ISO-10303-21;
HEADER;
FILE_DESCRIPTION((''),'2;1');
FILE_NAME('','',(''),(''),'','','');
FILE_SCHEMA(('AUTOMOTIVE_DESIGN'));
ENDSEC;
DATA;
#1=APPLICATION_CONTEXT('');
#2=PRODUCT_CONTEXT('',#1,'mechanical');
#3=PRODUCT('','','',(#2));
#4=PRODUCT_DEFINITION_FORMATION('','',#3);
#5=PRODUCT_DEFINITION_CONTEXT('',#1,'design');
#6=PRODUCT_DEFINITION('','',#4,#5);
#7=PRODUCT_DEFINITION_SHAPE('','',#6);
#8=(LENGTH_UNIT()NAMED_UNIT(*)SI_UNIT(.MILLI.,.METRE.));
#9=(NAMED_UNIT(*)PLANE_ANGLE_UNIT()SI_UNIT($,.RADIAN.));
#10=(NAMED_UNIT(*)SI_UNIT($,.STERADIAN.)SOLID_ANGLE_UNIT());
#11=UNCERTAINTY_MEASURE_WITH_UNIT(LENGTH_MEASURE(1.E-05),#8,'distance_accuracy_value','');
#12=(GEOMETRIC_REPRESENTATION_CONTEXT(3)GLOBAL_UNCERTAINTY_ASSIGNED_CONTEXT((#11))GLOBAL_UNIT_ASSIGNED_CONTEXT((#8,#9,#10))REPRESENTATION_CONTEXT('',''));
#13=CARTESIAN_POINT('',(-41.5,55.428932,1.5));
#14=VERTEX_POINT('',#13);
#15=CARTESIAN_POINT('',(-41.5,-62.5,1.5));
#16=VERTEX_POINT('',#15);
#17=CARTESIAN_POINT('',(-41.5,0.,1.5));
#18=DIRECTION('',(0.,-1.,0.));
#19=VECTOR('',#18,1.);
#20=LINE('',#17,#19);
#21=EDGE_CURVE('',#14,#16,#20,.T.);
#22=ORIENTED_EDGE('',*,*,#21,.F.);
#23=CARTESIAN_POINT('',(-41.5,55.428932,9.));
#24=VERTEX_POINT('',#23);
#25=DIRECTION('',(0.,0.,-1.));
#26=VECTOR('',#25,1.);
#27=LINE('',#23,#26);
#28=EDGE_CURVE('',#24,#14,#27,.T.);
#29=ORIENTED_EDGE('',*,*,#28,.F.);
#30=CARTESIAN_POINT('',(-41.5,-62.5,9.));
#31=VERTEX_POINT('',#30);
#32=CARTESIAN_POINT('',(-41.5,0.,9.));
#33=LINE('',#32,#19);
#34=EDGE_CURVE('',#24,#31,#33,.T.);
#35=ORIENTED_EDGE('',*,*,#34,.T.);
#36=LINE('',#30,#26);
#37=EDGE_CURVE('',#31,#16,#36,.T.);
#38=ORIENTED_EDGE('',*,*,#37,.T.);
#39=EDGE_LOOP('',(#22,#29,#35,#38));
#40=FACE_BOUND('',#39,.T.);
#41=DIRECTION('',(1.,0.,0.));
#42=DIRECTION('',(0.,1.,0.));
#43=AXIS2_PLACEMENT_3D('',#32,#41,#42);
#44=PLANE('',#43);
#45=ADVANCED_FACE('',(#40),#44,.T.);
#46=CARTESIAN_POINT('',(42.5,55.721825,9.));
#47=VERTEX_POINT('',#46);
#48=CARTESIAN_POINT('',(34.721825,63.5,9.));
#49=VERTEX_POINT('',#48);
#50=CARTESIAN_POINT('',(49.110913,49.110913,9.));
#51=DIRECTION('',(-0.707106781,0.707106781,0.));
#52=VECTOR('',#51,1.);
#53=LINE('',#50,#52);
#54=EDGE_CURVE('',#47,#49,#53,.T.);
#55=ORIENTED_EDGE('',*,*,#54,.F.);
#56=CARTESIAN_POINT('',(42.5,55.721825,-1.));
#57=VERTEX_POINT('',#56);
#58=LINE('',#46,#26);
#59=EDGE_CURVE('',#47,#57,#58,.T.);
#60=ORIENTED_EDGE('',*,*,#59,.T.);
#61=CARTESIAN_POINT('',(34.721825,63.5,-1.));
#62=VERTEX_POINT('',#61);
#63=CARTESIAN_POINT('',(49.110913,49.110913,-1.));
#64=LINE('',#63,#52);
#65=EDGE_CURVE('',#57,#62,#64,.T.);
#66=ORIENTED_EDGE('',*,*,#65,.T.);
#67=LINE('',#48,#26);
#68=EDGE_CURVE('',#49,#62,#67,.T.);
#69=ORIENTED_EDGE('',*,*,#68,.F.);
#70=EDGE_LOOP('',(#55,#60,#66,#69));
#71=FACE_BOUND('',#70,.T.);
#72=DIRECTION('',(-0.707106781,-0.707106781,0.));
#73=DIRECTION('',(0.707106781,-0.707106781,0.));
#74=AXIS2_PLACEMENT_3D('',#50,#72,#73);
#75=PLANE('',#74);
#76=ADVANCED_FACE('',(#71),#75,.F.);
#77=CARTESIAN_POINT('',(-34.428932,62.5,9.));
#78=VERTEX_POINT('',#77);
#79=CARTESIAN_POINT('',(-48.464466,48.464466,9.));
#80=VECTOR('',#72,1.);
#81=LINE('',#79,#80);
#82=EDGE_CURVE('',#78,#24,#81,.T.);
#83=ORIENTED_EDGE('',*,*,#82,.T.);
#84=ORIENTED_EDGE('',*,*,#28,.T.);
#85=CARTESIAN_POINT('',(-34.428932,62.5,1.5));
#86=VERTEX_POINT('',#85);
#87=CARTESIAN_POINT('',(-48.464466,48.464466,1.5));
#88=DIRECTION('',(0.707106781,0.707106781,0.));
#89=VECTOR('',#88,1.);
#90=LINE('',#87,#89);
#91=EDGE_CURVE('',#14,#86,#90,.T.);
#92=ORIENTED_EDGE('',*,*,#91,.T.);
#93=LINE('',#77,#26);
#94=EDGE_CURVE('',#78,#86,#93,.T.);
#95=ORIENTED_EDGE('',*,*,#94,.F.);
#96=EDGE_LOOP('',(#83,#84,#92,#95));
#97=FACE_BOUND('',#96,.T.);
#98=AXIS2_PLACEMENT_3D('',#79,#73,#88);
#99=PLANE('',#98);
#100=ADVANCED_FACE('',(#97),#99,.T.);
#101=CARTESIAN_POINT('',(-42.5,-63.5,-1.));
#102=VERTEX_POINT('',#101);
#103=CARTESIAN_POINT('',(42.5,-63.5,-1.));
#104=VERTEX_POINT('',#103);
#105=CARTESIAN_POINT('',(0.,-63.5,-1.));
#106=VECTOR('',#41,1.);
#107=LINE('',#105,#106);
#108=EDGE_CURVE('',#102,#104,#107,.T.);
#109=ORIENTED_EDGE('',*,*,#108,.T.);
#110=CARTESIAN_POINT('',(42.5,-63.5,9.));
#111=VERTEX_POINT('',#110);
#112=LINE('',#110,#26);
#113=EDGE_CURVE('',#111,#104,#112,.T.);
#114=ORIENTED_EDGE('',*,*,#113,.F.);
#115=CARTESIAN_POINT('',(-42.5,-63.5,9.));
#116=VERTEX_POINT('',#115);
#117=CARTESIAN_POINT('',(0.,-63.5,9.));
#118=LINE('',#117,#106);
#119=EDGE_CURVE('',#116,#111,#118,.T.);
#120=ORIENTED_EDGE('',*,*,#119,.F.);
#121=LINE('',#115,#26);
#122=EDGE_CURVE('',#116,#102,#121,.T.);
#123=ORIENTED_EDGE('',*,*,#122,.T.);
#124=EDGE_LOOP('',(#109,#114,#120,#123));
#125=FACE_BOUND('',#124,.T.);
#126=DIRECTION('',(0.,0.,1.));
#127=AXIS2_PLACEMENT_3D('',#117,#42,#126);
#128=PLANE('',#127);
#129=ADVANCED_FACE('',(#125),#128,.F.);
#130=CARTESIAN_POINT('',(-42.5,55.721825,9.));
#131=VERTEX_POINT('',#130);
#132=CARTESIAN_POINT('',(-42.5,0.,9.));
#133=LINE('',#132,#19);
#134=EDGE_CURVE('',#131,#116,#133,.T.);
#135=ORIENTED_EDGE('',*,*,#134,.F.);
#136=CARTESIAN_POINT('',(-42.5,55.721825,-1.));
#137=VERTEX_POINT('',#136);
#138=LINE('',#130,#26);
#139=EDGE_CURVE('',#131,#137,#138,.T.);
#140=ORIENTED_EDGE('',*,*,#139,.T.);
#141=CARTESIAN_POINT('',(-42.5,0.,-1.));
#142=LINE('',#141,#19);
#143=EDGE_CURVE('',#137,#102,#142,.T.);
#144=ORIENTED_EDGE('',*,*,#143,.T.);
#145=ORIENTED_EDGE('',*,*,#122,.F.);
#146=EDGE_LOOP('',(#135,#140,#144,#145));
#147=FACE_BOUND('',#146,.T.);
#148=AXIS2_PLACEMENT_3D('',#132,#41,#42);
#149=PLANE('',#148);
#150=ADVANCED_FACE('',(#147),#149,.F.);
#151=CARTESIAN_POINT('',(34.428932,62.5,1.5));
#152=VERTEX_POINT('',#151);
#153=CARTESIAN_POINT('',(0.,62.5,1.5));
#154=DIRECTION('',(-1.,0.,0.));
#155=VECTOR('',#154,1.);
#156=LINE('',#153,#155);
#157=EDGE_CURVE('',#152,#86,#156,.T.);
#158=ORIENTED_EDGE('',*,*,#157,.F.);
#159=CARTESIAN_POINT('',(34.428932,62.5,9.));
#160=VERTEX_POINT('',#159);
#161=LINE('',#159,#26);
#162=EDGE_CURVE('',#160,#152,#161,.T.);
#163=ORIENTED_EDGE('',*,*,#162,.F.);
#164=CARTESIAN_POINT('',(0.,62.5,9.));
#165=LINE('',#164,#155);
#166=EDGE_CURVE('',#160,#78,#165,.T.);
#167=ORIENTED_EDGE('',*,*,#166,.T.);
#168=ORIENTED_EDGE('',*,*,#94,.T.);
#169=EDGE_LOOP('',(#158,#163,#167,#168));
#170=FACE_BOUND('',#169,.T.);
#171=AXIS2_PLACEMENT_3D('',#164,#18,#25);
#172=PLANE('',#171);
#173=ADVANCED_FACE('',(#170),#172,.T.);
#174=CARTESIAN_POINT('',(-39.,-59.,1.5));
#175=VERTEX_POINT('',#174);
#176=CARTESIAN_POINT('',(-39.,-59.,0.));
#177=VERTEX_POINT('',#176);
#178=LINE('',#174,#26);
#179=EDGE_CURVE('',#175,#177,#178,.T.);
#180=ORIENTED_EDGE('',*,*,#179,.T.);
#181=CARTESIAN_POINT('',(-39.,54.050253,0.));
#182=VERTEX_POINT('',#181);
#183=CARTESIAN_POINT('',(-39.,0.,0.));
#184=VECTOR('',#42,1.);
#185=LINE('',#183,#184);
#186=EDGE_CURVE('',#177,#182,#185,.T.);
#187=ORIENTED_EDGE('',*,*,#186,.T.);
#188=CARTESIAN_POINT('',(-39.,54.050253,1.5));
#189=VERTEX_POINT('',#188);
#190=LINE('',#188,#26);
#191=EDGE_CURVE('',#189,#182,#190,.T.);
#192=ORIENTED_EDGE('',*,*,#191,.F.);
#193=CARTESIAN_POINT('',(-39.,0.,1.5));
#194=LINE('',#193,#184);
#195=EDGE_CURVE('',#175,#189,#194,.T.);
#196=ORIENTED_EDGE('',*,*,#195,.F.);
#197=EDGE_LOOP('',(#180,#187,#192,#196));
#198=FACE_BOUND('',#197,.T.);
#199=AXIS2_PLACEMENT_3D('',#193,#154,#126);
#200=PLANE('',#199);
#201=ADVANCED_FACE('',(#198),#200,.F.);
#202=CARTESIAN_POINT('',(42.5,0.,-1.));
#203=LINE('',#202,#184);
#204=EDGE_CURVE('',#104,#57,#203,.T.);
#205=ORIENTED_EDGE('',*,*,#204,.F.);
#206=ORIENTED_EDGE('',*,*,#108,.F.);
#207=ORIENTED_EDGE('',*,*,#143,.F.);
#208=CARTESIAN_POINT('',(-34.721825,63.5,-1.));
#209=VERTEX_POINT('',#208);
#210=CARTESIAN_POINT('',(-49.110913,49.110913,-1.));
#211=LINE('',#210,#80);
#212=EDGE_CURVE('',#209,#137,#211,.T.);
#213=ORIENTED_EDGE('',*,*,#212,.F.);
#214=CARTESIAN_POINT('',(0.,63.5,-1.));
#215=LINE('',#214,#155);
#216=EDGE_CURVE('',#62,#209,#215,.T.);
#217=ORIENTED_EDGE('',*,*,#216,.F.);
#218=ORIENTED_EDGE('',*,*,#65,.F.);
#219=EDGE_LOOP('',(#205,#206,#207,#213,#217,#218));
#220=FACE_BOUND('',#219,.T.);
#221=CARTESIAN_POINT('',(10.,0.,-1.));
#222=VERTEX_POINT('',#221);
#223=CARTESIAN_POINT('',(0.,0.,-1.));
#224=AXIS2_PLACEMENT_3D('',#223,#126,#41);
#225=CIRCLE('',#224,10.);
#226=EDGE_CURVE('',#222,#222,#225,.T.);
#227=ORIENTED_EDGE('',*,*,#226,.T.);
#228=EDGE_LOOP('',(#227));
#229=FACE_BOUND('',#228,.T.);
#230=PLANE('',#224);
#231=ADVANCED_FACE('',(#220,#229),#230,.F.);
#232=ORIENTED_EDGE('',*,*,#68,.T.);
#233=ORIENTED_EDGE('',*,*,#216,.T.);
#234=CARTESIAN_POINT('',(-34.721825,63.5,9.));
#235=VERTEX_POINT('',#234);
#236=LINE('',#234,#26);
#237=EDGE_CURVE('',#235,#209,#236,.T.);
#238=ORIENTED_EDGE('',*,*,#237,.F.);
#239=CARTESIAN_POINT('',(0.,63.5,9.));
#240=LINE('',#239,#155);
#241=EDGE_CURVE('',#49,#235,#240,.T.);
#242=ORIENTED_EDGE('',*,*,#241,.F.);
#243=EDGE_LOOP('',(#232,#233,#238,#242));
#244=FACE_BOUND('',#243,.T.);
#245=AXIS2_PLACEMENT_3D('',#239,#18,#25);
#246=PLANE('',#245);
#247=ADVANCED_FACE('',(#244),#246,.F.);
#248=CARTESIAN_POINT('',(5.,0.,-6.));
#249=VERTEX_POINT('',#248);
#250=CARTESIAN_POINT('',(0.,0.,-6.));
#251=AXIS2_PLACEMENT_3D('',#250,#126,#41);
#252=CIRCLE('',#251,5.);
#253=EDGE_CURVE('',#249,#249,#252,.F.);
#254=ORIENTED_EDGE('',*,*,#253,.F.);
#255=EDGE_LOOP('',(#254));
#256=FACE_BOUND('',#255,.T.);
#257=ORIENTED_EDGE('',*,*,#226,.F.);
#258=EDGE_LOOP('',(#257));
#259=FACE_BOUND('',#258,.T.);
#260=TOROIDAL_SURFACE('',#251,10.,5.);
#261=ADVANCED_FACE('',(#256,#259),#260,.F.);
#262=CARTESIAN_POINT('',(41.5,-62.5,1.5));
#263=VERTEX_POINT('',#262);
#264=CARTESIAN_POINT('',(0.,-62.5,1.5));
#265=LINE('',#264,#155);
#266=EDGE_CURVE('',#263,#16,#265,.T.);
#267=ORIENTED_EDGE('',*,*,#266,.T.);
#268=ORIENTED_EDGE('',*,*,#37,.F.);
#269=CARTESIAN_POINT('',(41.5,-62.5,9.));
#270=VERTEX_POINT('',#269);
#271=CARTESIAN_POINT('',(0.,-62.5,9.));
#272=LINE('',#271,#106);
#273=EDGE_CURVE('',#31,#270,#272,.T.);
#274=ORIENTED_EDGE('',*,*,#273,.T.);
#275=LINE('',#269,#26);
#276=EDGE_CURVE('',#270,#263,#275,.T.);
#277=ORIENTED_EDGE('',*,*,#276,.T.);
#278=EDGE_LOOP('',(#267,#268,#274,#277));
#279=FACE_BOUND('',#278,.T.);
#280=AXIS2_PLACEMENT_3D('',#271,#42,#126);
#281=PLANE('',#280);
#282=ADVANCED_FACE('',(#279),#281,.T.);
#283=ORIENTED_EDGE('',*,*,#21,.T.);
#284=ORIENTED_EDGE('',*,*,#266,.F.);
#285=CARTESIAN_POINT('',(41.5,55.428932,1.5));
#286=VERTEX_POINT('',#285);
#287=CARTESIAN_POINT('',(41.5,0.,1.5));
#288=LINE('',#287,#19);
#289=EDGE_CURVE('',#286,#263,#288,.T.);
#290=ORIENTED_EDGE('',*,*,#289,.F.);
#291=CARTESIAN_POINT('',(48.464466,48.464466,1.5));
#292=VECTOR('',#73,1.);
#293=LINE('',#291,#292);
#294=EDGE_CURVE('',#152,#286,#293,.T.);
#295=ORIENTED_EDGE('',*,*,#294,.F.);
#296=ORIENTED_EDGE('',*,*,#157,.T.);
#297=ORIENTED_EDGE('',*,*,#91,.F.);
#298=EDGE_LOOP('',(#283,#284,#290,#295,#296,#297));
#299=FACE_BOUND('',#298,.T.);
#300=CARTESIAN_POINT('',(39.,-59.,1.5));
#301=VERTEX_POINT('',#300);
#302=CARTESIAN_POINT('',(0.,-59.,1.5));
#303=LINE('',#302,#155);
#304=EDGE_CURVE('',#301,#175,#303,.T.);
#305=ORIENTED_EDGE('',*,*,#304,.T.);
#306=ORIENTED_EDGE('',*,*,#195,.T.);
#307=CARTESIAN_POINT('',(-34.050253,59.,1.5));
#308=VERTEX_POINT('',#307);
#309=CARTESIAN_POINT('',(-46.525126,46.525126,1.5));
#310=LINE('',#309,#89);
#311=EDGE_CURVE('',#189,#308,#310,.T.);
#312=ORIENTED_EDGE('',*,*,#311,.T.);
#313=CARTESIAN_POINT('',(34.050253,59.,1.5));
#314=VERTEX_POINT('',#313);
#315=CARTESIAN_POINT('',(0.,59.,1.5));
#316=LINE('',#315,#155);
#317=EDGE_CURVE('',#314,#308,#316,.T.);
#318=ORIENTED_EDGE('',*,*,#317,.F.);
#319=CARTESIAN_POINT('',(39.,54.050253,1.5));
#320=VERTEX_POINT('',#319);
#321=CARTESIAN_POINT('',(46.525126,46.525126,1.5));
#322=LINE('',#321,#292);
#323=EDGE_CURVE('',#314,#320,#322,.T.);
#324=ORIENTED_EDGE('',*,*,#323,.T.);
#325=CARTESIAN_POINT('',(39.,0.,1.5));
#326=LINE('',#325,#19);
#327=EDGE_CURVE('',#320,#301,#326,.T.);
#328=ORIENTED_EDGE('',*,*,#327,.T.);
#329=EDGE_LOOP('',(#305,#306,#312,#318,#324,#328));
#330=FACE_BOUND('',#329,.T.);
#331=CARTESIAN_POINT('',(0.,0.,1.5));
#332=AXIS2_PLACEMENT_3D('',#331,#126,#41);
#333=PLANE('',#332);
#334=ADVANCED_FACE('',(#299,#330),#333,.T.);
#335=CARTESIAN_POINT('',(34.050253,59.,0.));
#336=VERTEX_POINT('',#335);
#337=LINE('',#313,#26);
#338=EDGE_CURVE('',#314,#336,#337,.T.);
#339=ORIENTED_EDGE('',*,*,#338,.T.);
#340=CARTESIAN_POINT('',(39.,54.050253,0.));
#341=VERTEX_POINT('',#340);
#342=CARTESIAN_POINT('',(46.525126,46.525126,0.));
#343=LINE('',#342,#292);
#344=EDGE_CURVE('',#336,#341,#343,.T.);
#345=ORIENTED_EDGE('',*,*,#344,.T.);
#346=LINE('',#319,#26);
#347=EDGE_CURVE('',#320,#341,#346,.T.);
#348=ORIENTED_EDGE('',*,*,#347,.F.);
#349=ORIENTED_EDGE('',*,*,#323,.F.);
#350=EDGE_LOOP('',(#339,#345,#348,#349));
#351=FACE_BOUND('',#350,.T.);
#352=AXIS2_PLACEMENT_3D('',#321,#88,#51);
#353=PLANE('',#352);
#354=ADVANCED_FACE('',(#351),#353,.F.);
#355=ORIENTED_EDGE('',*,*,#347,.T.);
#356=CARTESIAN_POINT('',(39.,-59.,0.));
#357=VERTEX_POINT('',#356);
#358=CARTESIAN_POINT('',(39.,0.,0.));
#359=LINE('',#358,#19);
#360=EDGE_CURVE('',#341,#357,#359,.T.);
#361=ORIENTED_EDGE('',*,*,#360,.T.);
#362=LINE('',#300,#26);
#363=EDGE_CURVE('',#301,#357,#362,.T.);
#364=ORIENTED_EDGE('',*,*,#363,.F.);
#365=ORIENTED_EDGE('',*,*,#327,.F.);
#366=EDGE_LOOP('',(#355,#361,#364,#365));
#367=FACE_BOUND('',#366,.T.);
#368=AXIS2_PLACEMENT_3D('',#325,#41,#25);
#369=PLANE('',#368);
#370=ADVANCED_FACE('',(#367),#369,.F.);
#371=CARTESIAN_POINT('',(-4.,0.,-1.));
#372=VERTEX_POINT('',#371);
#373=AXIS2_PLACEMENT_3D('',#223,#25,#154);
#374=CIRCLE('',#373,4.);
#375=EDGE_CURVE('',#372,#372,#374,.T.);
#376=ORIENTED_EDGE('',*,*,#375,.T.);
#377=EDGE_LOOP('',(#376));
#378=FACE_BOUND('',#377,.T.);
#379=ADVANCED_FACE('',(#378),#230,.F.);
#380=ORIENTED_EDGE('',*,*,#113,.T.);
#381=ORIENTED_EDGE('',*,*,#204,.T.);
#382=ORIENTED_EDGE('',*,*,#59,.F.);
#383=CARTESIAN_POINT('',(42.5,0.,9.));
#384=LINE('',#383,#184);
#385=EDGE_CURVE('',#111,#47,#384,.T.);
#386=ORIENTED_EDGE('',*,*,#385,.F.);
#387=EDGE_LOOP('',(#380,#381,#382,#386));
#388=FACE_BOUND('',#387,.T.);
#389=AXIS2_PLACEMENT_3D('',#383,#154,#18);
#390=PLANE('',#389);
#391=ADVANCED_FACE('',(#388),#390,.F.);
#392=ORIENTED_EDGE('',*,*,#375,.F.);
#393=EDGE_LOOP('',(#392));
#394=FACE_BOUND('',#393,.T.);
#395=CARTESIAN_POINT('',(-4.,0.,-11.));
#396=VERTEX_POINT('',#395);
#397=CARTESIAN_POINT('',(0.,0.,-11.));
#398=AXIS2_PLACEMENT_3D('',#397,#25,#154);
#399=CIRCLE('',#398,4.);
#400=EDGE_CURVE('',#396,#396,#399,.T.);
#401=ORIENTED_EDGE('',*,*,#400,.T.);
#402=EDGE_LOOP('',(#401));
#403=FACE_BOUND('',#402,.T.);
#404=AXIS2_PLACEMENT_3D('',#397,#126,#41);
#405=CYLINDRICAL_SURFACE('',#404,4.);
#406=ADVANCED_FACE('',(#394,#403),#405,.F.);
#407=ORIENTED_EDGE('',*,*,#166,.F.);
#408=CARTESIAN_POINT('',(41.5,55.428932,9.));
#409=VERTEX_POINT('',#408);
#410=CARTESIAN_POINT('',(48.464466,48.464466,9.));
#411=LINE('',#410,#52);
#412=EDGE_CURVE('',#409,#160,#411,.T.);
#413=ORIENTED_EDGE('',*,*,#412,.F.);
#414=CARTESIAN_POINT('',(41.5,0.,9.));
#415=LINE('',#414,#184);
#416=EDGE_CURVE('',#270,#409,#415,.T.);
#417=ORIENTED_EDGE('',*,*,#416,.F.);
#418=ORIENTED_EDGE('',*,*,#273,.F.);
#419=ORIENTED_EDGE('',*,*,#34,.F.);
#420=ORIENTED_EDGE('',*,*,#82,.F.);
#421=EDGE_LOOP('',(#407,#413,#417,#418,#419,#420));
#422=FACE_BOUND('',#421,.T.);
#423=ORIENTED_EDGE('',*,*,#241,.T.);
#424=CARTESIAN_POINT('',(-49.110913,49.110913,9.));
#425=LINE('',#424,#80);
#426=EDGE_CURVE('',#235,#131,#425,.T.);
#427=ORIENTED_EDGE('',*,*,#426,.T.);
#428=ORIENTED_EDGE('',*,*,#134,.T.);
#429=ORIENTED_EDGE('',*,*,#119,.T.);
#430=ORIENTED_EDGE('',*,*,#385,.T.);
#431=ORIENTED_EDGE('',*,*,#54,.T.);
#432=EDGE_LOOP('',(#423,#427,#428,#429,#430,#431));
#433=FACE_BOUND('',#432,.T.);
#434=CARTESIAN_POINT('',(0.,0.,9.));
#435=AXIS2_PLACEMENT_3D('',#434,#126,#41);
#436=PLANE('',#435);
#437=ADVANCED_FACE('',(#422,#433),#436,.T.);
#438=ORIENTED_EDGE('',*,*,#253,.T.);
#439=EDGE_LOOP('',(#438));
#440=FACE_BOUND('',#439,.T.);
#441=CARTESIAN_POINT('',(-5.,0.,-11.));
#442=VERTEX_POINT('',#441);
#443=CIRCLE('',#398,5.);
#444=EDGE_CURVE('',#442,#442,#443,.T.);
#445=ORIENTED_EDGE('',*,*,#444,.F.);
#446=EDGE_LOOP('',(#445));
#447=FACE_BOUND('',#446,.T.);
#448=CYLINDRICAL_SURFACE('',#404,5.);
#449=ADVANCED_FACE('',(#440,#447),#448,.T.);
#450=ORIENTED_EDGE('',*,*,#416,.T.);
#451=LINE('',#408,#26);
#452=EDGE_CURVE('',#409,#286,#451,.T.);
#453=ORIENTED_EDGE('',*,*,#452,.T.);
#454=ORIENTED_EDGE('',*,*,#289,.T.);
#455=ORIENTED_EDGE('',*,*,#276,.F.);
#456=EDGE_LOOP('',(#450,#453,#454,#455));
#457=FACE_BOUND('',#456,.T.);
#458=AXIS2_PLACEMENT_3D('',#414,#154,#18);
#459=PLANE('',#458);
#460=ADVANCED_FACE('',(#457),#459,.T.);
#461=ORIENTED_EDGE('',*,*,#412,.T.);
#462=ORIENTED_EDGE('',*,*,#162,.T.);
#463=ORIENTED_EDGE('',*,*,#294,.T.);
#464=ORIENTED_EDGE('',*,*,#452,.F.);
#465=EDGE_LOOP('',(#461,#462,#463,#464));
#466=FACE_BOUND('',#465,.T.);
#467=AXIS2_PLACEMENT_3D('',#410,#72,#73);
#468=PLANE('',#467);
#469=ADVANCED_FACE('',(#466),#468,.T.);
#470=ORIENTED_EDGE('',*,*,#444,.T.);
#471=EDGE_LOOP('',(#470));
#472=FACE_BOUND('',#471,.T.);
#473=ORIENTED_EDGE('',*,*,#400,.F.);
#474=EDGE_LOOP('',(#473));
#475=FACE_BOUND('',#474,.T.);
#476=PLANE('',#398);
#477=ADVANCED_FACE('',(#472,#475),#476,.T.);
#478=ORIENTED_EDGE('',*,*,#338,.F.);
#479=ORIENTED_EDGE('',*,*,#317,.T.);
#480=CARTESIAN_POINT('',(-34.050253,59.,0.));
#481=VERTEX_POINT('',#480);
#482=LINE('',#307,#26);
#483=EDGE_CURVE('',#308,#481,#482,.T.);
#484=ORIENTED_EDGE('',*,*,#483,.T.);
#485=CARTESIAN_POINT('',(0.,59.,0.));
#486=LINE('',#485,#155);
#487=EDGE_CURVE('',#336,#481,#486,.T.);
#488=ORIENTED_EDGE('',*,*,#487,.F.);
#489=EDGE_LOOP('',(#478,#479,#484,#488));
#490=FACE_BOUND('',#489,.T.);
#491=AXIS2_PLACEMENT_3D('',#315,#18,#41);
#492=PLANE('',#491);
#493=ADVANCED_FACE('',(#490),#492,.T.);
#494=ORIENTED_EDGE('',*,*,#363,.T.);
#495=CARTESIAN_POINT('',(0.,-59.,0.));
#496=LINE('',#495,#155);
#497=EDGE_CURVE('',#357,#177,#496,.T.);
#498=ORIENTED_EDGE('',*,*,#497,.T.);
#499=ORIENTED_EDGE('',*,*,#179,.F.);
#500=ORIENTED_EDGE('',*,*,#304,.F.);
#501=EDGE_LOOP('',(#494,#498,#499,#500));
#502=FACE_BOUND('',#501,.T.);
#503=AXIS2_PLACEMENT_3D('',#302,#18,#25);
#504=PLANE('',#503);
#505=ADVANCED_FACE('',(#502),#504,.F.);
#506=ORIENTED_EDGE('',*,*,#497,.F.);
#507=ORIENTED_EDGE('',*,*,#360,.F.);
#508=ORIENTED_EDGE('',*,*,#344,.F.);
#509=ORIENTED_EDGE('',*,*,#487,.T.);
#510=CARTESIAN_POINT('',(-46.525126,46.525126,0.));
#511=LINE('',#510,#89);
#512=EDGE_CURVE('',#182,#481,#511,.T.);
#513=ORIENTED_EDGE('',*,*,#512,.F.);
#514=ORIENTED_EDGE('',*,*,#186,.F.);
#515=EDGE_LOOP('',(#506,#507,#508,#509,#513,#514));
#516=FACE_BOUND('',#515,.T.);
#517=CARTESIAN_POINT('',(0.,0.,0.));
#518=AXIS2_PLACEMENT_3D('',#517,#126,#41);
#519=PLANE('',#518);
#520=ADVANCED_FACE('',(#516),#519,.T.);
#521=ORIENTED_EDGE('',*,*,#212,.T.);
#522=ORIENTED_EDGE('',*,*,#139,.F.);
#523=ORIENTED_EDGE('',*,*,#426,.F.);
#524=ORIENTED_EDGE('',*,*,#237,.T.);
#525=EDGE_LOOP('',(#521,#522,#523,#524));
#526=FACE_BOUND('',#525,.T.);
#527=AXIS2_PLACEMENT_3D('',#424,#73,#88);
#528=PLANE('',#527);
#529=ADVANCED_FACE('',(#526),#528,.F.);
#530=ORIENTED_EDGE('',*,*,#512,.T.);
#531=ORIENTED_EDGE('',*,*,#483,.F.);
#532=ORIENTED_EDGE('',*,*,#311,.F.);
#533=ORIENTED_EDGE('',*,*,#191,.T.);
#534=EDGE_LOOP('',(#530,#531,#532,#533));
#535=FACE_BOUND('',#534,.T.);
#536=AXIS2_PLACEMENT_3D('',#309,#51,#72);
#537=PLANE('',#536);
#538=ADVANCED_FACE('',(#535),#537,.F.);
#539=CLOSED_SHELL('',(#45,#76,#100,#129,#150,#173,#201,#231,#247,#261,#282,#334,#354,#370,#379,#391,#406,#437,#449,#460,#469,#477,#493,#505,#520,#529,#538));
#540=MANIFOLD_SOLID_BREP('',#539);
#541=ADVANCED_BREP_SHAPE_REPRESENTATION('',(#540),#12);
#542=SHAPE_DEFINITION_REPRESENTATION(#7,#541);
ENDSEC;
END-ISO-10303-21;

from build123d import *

# Parameters (mm, degrees)
BOSS_EXTRUDE1_DEPTH = 1.5
BOSS_EXTRUDE2_DEPTH = 9
BOSS_EXTRUDE3_DEPTH = 1
SKETCH4_R           = 5
SKETCH4_R_2         = 4
BOSS_EXTRUDE4_DEPTH = 10
FILLET1_R           = 5


with BuildPart() as part:
    # Sketch1 → Boss-Extrude1 (new body)
    with BuildSketch(Plane(origin=(0, 0, 0), x_dir=(0, 1, 0), z_dir=(0, 0, 1))):
        Polygon((-62.5, -41.5), (-62.5, 41.5), (55.428932188, 41.5), (62.5, 34.428932188), (62.5, -34.428932188), (55.428932188, -41.5), align=None)
        Polygon((54.050252532, 39), (59, 34.050252532), (59, -34.050252532), (54.050252532, -39), (-59, -39), (-59, 39), align=None, mode=Mode.SUBTRACT)
    extrude(amount=BOSS_EXTRUDE1_DEPTH)

    # Sketch2 → Boss-Extrude2 (add)
    with BuildSketch(Plane(origin=(0, 0, 0), x_dir=(0, 1, 0), z_dir=(0, 0, 1))):
        Polygon((-63.5, 42.5), (-63.5, -42.5), (55.721825407, -42.5), (63.5, -34.721825407), (63.5, 34.721825407), (55.721825407, 42.5), align=None)
        Polygon((-62.5, -41.5), (55.428932188, -41.5), (62.5, -34.428932188), (62.5, 34.428932188), (55.428932188, 41.5), (-62.5, 41.5), align=None, mode=Mode.SUBTRACT)
    extrude(amount=BOSS_EXTRUDE2_DEPTH)

    # Sketch3 → Boss-Extrude3 (add)
    with BuildSketch(Plane(origin=(0, 0, 0), x_dir=(0, 1, 0), z_dir=(0, 0, 1))):
        Polygon((63.5, 34.721825407), (55.721825407, 42.5), (-63.5, 42.5), (-63.5, -42.5), (55.721825407, -42.5), (63.5, -34.721825407), align=None)
    extrude(amount=-BOSS_EXTRUDE3_DEPTH)

    # Sketch4 → Boss-Extrude4 (add)
    with BuildSketch(Plane(origin=(0, 0, -1), x_dir=(1, 0, 0), z_dir=(0, 0, -1))):
        Circle(SKETCH4_R)
        with Locations(Location((0, 0, 0), (0, 0, 180))):
            Circle(SKETCH4_R_2, mode=Mode.SUBTRACT)
    extrude(amount=BOSS_EXTRUDE4_DEPTH)

    # Fillet1
    fillet1_edges = [part.edges().sort_by_distance(p)[0] for p in [
        (-5, 0, -1),
    ]]
    fillet(fillet1_edges, radius=FILLET1_R)


solid = part.part
